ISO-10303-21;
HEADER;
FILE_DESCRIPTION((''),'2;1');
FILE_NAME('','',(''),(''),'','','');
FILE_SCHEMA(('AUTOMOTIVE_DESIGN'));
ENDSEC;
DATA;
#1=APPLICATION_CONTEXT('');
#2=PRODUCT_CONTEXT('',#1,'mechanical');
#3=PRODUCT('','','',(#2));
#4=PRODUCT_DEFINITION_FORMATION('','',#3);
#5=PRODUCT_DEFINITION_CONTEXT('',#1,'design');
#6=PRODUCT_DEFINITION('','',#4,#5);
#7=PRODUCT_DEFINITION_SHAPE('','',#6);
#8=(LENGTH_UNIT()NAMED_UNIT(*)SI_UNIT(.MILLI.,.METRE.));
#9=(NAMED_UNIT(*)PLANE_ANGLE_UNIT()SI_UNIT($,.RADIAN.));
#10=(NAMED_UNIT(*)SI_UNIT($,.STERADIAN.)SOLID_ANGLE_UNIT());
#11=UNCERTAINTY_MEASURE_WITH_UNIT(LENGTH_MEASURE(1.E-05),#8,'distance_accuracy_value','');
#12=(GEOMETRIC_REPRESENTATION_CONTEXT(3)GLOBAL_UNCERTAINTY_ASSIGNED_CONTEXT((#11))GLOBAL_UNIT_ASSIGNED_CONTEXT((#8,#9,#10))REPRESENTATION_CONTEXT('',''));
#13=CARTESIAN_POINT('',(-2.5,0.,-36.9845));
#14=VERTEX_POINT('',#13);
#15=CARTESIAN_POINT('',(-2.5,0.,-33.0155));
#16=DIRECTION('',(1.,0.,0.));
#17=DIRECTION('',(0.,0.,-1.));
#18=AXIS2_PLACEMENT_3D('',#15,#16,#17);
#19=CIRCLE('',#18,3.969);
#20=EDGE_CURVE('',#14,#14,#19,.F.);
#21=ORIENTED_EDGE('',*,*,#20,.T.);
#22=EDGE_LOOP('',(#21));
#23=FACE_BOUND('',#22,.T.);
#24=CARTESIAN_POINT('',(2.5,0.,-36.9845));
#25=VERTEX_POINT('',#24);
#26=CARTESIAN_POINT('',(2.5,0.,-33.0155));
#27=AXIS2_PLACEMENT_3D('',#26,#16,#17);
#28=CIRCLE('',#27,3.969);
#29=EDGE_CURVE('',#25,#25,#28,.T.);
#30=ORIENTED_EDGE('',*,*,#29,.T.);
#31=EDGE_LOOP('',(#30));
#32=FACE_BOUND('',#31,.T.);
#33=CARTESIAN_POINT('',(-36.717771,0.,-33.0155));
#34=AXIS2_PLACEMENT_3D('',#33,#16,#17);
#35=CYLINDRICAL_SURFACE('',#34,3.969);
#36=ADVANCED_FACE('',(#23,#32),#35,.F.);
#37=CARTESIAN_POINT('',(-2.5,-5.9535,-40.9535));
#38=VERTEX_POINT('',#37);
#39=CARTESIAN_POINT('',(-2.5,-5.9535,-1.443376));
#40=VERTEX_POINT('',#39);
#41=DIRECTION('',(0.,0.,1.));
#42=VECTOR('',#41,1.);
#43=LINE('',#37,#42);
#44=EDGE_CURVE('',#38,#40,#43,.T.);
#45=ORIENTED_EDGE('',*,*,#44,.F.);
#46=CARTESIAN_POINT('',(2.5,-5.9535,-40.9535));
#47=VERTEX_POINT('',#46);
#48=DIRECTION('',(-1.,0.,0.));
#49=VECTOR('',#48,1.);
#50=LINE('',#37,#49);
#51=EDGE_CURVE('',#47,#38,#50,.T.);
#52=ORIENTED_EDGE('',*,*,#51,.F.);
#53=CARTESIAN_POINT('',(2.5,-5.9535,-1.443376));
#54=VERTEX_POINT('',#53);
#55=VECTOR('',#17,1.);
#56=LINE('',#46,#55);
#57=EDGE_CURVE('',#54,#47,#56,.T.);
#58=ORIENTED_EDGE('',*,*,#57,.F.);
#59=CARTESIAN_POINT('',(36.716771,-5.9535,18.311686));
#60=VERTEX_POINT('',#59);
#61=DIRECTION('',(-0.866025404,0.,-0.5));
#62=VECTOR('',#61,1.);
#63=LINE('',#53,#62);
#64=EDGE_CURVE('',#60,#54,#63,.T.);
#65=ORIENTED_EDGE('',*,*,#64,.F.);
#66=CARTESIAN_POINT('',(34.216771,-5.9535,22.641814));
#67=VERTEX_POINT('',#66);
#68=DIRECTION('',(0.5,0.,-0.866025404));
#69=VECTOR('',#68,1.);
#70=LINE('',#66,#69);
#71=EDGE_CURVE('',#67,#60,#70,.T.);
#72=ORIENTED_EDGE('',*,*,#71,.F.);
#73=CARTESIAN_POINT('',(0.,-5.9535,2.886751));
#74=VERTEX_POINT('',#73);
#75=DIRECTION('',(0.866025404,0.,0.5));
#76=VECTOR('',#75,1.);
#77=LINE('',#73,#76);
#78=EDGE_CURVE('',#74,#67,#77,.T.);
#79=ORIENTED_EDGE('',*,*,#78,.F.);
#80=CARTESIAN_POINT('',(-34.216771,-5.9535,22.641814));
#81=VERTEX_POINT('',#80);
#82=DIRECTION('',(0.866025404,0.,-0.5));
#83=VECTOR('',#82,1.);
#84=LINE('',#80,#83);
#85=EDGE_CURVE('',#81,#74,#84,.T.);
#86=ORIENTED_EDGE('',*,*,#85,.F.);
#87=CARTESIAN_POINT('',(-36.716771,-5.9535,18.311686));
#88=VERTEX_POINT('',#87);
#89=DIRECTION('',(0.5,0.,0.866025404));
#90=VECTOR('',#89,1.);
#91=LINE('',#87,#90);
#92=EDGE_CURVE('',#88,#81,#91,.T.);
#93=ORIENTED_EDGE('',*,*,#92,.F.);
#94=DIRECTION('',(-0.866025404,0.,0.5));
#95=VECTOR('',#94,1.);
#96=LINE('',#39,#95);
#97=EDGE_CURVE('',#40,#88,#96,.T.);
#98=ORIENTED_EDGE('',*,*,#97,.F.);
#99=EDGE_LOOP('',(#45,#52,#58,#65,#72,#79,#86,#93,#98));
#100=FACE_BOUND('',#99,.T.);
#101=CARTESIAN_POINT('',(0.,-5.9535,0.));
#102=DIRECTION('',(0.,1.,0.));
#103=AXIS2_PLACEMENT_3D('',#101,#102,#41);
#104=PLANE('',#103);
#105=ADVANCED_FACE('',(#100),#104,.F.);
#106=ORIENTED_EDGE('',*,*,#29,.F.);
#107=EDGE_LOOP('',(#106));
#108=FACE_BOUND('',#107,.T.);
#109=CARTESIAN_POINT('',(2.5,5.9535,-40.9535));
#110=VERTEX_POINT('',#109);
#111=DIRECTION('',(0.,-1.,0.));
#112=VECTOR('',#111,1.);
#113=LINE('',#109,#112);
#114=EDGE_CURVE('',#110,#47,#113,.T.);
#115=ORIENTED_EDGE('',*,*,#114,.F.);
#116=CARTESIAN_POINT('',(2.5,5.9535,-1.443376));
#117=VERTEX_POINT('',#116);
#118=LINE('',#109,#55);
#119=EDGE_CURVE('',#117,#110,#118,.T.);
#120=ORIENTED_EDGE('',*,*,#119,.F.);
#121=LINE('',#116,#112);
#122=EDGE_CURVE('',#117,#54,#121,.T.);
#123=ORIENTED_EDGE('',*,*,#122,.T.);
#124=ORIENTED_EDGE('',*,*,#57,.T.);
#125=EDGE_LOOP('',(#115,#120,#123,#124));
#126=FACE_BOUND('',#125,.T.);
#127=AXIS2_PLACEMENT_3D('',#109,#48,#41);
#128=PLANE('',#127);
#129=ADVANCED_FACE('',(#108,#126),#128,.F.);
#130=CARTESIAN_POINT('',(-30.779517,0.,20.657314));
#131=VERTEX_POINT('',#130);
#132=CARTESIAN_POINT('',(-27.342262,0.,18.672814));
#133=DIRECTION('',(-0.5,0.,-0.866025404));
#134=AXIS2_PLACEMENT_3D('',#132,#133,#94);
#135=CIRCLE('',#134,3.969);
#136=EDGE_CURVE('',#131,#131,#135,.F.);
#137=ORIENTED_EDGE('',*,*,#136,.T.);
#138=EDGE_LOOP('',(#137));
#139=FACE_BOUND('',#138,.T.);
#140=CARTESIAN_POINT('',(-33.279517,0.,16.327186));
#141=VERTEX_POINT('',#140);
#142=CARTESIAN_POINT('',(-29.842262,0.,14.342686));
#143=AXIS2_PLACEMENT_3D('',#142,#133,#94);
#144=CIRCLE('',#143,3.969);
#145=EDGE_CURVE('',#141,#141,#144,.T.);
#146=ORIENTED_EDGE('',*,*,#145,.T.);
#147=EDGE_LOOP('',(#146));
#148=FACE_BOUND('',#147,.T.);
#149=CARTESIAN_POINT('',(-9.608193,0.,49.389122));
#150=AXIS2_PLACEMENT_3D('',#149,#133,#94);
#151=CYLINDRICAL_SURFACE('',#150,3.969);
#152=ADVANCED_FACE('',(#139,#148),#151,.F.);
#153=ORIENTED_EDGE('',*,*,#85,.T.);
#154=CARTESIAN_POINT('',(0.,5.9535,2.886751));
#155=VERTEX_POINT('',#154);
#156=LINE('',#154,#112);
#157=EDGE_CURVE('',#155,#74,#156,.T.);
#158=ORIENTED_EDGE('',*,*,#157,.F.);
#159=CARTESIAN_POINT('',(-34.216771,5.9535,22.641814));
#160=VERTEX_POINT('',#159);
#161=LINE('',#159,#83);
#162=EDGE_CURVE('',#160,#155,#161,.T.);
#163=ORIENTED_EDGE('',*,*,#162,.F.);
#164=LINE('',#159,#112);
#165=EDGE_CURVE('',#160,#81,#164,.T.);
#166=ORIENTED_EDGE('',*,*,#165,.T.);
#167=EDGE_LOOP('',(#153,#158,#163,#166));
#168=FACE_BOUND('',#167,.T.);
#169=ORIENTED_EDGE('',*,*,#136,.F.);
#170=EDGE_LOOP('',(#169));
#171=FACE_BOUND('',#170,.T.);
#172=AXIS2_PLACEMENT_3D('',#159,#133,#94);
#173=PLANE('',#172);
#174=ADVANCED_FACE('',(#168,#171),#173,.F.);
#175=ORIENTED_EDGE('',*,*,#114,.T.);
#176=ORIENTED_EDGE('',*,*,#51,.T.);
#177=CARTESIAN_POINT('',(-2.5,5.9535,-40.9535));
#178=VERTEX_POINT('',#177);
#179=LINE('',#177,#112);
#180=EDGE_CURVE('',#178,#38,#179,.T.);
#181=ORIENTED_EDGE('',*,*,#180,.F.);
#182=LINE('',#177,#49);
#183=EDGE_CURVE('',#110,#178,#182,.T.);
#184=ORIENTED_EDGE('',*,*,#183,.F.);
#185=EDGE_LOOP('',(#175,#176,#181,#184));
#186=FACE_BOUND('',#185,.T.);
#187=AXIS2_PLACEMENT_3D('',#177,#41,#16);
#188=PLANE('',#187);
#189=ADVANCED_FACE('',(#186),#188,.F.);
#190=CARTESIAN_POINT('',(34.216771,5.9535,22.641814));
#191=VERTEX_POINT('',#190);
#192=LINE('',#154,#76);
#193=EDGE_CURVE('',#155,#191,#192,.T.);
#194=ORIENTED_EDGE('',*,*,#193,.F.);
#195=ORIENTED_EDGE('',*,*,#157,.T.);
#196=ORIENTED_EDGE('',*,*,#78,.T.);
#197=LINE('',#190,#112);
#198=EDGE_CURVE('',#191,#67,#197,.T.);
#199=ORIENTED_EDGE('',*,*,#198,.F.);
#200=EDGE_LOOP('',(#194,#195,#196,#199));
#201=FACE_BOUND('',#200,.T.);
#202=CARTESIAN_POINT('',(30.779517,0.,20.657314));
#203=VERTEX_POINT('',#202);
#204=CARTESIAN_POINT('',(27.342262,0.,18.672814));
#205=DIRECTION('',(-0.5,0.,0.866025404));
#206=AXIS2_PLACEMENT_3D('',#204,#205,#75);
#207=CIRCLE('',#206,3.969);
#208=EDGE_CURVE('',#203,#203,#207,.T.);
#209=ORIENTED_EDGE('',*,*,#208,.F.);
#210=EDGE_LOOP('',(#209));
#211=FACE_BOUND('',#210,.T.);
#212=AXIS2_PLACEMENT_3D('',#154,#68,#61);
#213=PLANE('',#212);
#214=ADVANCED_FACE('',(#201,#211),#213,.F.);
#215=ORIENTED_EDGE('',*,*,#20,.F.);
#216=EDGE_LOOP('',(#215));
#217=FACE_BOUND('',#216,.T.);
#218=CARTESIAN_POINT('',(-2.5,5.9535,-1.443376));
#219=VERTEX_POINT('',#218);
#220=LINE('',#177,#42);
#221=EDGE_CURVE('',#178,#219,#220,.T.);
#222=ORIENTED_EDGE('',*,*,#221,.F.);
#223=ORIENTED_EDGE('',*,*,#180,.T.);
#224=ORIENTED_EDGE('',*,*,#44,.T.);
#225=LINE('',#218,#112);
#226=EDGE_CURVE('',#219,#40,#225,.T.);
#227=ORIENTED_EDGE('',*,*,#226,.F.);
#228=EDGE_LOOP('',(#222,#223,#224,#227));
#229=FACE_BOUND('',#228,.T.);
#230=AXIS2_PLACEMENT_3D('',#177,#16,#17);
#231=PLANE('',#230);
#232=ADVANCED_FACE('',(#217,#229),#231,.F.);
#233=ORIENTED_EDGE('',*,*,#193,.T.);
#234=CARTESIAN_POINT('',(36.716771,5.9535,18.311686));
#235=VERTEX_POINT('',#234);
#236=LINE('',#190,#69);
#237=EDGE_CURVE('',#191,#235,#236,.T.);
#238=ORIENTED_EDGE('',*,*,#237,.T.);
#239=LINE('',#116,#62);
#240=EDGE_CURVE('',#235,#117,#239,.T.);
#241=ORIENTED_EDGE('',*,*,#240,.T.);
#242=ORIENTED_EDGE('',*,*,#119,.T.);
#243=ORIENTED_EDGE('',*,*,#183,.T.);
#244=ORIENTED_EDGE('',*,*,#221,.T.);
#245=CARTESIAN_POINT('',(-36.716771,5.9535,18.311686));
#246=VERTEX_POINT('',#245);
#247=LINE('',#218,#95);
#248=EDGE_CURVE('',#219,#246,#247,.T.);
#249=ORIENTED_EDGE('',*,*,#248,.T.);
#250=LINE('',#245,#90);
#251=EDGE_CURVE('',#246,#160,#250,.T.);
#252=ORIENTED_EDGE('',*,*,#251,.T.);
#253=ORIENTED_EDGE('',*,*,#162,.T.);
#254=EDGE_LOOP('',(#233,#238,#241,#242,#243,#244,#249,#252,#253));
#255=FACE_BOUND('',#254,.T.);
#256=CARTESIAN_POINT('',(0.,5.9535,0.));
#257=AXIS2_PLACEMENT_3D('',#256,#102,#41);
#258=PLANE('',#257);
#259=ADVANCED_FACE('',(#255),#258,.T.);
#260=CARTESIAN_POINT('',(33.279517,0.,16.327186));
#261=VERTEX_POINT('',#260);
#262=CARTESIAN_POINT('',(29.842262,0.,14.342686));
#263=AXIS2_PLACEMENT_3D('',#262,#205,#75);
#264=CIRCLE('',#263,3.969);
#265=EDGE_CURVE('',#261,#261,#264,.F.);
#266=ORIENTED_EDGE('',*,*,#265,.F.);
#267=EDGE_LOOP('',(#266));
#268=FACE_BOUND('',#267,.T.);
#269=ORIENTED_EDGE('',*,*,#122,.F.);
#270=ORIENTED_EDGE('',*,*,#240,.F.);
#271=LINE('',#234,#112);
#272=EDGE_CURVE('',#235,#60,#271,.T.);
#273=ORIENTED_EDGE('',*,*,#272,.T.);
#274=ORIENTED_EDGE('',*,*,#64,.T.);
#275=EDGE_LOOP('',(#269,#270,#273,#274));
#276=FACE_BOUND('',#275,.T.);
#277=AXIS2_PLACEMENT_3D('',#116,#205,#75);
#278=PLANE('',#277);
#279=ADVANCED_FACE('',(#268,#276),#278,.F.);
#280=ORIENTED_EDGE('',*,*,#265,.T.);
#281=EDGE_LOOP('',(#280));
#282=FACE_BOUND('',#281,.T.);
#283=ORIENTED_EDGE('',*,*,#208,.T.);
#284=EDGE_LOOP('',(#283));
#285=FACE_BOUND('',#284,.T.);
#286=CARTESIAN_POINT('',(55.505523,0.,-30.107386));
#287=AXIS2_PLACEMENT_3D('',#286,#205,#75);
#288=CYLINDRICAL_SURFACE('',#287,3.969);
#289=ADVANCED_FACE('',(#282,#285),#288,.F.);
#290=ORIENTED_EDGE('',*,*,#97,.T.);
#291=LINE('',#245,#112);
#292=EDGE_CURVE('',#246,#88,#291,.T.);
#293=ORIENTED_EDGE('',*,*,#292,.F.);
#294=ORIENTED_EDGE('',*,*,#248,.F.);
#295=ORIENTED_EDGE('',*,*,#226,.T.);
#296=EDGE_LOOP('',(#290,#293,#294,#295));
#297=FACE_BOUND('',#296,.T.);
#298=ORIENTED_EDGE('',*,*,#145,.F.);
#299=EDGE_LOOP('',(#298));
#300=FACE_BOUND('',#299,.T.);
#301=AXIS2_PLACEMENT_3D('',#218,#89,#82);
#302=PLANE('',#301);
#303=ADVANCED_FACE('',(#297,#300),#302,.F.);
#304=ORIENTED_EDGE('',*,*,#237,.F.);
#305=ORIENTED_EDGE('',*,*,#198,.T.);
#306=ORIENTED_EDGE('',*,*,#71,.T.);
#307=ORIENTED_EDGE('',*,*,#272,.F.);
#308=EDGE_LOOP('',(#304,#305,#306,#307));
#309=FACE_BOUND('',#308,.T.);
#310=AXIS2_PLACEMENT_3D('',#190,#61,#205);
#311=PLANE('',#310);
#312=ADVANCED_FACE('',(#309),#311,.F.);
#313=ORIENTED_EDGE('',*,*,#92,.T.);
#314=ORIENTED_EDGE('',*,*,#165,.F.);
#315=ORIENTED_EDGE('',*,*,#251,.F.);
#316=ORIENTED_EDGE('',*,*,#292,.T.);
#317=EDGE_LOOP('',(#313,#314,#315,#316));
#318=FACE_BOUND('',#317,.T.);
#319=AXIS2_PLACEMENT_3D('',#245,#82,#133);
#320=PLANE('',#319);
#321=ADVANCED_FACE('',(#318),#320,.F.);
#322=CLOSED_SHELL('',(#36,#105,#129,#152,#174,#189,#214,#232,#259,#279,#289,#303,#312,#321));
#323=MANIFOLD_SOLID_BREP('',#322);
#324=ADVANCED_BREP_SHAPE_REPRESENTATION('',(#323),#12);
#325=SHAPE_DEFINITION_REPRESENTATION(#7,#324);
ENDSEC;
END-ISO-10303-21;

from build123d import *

# Parameters (mm, degrees)
SALIENTE_EXTRUIR1_DEPTH = 5.9535
CROQUIS2_R              = 3.969
CORTAR_EXTRUIR1_DEPTH   = 5
MATRIZC1_COUNT          = 3


with BuildPart() as part:
    # Croquis1 → Saliente-Extruir1 (new body, symmetric)
    with BuildSketch(Plane(origin=(0, 0, 0), x_dir=(1, 0, 0), z_dir=(0, 1, 0))):
        Polygon((-2.5, 40.9535), (2.5, 40.9535), (2.5, 1.443375673), (36.716771374, -18.311686491), (34.216771374, -22.641813509), (0, -2.886751346), (-34.216771374, -22.641813509), (-36.716771374, -18.311686491), (-2.5, 1.443375673), align=None)
    extrude(amount=SALIENTE_EXTRUIR1_DEPTH, both=True)

    # Croquis2 → Cortar-Extruir1 (cut)
    with BuildSketch(Plane(origin=(-1.25, 0, 2.165063509), x_dir=(0.866025404, 0, 0.5), z_dir=(-0.5, 0, 0.866025404))):
        with Locations((33.0155, 0)):
            Circle(CROQUIS2_R)
    cortar_extruir1 = extrude(amount=-CORTAR_EXTRUIR1_DEPTH, mode=Mode.SUBTRACT)

    # MatrizC1: Cortar-Extruir1 ×3 about axis
    matrizc1_axis = Axis((0, 5.9535, 0), (0, 1, 0))
    for i in range(1, MATRIZC1_COUNT):
        add(cortar_extruir1.rotate(matrizc1_axis, i * 360 / MATRIZC1_COUNT), mode=Mode.SUBTRACT)


solid = part.part
